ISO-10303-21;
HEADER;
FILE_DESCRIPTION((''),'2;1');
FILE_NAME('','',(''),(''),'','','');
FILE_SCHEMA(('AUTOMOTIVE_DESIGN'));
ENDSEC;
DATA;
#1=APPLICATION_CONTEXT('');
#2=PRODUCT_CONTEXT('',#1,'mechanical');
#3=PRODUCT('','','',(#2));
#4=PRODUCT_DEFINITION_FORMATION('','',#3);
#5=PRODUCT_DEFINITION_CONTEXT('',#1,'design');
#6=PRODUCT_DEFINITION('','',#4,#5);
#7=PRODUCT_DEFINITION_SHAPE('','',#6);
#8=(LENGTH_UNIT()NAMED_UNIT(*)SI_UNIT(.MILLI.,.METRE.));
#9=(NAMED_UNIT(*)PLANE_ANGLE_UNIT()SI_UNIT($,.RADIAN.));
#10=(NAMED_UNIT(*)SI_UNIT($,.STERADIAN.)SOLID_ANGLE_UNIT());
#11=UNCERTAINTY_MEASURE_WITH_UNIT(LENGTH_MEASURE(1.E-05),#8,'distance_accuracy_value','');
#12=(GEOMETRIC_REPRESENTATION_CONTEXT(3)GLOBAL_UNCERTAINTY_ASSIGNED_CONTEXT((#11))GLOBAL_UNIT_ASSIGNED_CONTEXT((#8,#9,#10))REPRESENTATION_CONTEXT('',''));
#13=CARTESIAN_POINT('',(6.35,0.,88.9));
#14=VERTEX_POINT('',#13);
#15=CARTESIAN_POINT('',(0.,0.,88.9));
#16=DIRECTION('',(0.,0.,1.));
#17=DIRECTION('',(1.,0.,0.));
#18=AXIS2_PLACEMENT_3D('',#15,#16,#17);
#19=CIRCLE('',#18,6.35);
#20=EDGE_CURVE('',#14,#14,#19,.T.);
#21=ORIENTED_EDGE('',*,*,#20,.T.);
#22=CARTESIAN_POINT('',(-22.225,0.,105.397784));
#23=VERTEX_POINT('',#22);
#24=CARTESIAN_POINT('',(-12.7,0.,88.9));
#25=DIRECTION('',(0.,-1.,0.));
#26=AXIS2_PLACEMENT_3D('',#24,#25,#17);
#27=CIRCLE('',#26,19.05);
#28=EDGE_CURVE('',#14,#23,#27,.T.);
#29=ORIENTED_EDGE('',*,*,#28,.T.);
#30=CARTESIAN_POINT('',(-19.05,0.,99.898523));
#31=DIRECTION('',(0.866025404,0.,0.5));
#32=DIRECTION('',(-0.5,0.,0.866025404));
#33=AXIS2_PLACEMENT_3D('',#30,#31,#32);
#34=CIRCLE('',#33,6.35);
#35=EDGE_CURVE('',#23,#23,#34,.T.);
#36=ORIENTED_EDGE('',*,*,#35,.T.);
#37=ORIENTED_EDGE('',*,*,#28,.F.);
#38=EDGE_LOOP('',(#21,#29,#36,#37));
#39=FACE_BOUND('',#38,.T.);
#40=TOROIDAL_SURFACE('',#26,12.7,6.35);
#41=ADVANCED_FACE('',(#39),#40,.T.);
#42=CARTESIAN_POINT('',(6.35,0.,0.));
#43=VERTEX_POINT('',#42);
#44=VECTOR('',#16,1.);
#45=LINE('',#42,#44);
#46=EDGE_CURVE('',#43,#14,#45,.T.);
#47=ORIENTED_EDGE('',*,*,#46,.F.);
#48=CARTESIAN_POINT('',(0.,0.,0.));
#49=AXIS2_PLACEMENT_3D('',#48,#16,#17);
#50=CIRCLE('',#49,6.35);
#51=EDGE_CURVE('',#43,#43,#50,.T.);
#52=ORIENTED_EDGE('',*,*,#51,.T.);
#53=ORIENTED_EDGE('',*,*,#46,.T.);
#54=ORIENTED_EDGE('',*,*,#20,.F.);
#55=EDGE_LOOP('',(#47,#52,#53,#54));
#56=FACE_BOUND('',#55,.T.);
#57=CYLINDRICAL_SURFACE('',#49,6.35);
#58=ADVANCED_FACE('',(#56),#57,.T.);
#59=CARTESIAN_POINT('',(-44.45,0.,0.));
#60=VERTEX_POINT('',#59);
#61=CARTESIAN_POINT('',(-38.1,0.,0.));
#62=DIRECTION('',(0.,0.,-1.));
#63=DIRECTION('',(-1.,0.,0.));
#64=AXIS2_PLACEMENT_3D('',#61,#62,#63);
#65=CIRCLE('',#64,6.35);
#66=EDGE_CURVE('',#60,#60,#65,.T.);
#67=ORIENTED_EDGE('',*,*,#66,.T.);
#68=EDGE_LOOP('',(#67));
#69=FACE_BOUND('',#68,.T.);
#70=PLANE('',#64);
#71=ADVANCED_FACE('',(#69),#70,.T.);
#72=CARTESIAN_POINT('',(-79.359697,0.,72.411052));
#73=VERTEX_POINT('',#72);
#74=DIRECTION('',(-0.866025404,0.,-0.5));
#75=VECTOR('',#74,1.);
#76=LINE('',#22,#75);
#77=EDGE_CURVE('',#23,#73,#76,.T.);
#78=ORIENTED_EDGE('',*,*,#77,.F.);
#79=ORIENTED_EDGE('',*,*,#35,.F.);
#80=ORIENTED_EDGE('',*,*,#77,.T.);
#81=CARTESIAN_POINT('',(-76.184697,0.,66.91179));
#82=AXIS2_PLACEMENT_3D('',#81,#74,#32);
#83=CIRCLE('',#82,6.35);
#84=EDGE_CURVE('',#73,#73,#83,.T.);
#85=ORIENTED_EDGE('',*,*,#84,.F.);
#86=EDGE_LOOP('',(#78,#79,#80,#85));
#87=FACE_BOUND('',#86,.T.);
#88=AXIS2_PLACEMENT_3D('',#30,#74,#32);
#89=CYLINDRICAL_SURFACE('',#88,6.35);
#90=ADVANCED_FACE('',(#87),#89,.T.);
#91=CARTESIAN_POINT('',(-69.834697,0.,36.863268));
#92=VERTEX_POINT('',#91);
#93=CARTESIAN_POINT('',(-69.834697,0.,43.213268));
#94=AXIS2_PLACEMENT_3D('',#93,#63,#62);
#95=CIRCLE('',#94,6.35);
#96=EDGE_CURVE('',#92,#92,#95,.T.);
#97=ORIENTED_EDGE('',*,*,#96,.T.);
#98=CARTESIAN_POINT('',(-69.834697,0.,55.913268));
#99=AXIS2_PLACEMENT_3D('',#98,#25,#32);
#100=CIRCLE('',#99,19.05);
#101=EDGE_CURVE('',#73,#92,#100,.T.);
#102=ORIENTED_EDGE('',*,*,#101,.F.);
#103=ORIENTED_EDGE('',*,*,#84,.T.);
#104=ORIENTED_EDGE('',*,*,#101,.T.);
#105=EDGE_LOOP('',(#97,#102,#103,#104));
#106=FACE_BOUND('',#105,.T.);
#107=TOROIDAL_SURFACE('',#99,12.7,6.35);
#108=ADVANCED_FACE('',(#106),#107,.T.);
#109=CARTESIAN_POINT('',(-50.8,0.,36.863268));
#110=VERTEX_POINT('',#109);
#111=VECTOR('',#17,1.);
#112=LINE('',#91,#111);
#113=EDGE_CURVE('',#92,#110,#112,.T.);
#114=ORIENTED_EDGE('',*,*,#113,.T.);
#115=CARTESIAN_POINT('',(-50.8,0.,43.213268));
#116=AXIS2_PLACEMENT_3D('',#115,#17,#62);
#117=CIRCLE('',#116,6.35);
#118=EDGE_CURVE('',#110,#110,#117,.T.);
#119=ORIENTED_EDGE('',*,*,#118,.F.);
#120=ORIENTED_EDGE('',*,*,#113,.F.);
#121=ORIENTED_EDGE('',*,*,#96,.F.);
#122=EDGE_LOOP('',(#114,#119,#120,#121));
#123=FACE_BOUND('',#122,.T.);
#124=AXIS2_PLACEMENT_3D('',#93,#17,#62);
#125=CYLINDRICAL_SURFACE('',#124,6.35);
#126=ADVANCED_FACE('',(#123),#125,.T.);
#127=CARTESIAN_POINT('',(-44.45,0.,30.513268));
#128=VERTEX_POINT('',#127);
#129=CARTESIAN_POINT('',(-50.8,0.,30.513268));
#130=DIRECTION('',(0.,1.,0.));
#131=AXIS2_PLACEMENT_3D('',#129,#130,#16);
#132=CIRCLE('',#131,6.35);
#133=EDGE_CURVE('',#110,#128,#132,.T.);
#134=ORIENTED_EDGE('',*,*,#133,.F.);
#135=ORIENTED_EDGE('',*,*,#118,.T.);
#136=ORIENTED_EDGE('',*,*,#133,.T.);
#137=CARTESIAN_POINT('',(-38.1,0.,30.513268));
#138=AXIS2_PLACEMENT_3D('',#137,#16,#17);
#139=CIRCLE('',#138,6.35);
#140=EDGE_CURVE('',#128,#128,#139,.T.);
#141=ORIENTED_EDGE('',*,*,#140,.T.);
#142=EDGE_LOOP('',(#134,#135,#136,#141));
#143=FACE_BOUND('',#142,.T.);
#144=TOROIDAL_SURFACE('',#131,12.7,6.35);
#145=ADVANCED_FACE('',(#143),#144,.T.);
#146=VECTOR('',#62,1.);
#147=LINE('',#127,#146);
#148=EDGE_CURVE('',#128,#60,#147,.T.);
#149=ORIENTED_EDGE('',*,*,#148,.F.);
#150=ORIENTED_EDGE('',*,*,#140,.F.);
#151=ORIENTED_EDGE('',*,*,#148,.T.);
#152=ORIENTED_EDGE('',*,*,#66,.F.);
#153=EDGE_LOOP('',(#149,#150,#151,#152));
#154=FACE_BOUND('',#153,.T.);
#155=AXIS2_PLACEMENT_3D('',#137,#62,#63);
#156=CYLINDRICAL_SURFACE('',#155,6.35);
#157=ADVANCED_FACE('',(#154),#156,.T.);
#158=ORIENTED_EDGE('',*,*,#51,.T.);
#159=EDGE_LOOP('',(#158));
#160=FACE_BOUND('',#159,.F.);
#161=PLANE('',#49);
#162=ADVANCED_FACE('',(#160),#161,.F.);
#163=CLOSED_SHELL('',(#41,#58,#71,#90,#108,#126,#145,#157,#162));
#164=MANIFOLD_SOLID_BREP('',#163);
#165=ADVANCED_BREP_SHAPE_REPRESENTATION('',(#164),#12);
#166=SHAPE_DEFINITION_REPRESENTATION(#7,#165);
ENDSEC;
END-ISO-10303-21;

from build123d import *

# Parameters (mm, degrees)
F2_R = 6.35


with BuildPart() as f3:
    # F3: sweep along a path in F0
    with BuildLine(Plane.XZ) as f3_path:
        Line((0, 0), (0, 88.9))
        ThreePointArc((0, 88.9), (-6.35, 99.8985226281), (-19.05, 99.8985226281))
        Line((-19.05, 99.8985226281), (-76.1846965395, 66.9117902009))
        ThreePointArc((-76.1846965395, 66.9117902009), (-82.1019545334, 52.6262657001), (-69.8346965395, 43.2132675729))
        Line((-69.8346965395, 43.2132675729), (-50.8, 43.2132675729))
        ThreePointArc((-50.8, 43.2132675729), (-41.8197438789, 39.4935236939), (-38.1, 30.5132675729))
        Line((-38.1, 30.5132675729), (-38.1, 0))
    # F2 (on line) → F3 (sweep)
    with BuildSketch(Plane.XY):
        Circle(F2_R)
    sweep(path=f3_path.line)


solid = f3.part
